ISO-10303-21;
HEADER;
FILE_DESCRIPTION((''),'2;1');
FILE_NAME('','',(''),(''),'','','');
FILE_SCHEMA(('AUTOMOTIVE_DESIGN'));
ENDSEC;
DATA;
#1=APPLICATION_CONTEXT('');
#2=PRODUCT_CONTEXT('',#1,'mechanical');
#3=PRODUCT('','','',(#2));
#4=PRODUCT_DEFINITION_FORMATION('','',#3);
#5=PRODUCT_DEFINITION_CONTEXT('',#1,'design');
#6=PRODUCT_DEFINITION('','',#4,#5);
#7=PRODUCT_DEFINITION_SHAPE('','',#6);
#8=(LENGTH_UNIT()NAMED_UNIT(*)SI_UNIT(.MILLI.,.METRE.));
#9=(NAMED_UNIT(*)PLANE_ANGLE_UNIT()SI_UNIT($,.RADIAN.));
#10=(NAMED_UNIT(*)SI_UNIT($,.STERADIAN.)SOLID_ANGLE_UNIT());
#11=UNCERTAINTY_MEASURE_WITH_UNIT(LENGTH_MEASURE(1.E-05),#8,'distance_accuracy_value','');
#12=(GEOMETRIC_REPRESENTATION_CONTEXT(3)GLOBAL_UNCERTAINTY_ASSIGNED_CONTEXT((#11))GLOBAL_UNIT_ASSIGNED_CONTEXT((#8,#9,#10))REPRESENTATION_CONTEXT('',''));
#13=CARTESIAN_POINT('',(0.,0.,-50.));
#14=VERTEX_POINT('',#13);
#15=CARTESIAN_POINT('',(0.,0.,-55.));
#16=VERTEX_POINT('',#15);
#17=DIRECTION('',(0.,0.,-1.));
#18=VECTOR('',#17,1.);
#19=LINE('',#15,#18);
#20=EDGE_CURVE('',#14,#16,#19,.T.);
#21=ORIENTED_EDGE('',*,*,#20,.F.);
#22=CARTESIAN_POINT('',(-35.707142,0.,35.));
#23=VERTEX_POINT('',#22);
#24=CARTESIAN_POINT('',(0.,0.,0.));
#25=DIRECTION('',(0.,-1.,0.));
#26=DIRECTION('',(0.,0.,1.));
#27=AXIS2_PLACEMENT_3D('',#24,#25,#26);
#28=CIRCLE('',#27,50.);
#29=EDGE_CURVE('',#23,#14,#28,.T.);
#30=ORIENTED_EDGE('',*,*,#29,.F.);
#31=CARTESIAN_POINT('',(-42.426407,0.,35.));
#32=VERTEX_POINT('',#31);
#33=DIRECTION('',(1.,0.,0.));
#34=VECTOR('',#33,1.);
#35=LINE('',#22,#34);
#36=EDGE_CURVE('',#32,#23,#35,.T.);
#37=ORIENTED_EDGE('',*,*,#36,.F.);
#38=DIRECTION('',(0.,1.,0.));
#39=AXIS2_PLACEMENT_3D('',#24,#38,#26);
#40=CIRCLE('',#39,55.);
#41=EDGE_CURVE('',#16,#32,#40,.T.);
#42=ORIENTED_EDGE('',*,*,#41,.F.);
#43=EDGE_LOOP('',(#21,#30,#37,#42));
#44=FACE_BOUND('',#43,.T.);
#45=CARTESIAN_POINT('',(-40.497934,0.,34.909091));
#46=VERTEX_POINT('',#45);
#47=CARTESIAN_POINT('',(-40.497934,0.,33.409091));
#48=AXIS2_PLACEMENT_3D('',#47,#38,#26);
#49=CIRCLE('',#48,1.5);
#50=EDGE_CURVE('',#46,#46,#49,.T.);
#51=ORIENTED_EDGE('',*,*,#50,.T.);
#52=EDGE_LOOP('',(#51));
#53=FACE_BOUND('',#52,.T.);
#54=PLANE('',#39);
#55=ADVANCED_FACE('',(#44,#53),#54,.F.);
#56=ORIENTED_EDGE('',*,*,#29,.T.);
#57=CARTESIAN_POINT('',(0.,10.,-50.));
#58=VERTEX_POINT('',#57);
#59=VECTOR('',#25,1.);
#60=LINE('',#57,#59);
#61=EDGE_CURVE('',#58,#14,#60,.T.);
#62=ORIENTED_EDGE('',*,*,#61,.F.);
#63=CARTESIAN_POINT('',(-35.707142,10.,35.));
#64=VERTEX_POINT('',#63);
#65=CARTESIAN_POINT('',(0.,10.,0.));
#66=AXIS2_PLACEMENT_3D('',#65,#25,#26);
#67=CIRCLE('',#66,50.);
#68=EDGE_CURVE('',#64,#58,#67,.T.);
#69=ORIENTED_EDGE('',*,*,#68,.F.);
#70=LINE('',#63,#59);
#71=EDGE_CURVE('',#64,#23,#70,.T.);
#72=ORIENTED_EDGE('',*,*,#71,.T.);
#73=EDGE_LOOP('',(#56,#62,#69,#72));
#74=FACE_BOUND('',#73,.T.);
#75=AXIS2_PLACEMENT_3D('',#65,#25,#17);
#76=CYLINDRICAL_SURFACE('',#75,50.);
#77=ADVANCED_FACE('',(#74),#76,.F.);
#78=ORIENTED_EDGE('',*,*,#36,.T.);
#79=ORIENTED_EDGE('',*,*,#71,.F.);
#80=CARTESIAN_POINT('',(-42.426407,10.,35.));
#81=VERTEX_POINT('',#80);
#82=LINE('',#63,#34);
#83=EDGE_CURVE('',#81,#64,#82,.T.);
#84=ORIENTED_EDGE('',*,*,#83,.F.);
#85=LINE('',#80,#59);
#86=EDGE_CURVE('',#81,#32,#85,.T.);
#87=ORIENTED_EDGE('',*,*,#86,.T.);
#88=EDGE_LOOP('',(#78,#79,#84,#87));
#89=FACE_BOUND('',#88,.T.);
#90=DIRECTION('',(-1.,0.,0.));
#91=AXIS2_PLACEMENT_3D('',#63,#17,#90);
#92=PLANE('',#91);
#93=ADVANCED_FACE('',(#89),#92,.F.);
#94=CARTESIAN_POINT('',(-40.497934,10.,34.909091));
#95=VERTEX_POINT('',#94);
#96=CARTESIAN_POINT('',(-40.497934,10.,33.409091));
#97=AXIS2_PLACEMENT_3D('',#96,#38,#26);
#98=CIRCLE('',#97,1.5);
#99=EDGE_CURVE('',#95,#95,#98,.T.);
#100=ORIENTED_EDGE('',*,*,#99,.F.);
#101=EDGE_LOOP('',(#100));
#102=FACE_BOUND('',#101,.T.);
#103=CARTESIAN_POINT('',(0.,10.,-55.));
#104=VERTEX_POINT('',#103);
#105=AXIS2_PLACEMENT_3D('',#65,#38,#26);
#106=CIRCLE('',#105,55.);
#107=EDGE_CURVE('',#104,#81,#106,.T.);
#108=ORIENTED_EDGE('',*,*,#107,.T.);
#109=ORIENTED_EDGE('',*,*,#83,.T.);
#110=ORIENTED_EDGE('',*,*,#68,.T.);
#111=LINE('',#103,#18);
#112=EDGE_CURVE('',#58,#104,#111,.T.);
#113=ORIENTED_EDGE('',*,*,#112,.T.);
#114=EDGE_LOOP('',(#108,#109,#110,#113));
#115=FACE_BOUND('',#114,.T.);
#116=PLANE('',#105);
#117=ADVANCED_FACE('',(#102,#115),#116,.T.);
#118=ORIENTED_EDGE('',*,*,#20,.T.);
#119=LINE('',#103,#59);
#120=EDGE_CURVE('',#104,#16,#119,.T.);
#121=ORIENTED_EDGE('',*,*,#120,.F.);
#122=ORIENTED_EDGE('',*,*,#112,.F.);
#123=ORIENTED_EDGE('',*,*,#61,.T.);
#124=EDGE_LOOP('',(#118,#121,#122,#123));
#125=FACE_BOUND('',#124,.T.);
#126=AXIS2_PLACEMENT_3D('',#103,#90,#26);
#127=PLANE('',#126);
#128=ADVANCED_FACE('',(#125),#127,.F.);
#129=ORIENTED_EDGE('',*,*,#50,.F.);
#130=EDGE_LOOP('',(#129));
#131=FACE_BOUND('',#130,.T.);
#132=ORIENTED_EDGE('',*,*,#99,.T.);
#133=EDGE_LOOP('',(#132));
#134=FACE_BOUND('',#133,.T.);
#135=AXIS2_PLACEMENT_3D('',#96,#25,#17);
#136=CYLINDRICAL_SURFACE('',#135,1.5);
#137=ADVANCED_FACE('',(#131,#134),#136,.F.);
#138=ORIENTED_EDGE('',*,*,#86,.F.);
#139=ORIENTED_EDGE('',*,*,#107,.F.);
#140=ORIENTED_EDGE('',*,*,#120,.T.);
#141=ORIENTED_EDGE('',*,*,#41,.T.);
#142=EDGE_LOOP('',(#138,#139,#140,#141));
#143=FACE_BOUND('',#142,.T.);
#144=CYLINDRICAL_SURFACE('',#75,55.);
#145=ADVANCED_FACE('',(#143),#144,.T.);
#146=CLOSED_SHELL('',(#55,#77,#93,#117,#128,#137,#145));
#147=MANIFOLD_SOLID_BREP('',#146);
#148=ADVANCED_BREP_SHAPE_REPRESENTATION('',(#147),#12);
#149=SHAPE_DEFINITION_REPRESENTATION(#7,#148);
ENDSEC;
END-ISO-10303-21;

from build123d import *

# Parameters (mm, degrees)
SKETCH2_R           = 1.5
BOSS_EXTRUDE1_DEPTH = 10


with BuildPart() as part:
    # Sketch2 → Boss-Extrude1 (new body)
    with BuildSketch(Plane(origin=(0, 0, 0), x_dir=(1, 0, 0), z_dir=(0, 1, 0))):
        with BuildLine():
            Line((0, 55), (0, 50))
            ThreePointArc((0, 50), (-46.097722286, 19.364916731), (-35.707142143, -35))
            Line((-35.707142143, -35), (-42.426406871, -35))
            ThreePointArc((-42.426406871, -35), (-49.749371855, 23.452078799), (0, 55))
        make_face()
        with Locations(Location((-40.497933832, -33.409090909, 0), (0, 0, 270))):
            Circle(SKETCH2_R, mode=Mode.SUBTRACT)
    extrude(amount=BOSS_EXTRUDE1_DEPTH)


solid = part.part
